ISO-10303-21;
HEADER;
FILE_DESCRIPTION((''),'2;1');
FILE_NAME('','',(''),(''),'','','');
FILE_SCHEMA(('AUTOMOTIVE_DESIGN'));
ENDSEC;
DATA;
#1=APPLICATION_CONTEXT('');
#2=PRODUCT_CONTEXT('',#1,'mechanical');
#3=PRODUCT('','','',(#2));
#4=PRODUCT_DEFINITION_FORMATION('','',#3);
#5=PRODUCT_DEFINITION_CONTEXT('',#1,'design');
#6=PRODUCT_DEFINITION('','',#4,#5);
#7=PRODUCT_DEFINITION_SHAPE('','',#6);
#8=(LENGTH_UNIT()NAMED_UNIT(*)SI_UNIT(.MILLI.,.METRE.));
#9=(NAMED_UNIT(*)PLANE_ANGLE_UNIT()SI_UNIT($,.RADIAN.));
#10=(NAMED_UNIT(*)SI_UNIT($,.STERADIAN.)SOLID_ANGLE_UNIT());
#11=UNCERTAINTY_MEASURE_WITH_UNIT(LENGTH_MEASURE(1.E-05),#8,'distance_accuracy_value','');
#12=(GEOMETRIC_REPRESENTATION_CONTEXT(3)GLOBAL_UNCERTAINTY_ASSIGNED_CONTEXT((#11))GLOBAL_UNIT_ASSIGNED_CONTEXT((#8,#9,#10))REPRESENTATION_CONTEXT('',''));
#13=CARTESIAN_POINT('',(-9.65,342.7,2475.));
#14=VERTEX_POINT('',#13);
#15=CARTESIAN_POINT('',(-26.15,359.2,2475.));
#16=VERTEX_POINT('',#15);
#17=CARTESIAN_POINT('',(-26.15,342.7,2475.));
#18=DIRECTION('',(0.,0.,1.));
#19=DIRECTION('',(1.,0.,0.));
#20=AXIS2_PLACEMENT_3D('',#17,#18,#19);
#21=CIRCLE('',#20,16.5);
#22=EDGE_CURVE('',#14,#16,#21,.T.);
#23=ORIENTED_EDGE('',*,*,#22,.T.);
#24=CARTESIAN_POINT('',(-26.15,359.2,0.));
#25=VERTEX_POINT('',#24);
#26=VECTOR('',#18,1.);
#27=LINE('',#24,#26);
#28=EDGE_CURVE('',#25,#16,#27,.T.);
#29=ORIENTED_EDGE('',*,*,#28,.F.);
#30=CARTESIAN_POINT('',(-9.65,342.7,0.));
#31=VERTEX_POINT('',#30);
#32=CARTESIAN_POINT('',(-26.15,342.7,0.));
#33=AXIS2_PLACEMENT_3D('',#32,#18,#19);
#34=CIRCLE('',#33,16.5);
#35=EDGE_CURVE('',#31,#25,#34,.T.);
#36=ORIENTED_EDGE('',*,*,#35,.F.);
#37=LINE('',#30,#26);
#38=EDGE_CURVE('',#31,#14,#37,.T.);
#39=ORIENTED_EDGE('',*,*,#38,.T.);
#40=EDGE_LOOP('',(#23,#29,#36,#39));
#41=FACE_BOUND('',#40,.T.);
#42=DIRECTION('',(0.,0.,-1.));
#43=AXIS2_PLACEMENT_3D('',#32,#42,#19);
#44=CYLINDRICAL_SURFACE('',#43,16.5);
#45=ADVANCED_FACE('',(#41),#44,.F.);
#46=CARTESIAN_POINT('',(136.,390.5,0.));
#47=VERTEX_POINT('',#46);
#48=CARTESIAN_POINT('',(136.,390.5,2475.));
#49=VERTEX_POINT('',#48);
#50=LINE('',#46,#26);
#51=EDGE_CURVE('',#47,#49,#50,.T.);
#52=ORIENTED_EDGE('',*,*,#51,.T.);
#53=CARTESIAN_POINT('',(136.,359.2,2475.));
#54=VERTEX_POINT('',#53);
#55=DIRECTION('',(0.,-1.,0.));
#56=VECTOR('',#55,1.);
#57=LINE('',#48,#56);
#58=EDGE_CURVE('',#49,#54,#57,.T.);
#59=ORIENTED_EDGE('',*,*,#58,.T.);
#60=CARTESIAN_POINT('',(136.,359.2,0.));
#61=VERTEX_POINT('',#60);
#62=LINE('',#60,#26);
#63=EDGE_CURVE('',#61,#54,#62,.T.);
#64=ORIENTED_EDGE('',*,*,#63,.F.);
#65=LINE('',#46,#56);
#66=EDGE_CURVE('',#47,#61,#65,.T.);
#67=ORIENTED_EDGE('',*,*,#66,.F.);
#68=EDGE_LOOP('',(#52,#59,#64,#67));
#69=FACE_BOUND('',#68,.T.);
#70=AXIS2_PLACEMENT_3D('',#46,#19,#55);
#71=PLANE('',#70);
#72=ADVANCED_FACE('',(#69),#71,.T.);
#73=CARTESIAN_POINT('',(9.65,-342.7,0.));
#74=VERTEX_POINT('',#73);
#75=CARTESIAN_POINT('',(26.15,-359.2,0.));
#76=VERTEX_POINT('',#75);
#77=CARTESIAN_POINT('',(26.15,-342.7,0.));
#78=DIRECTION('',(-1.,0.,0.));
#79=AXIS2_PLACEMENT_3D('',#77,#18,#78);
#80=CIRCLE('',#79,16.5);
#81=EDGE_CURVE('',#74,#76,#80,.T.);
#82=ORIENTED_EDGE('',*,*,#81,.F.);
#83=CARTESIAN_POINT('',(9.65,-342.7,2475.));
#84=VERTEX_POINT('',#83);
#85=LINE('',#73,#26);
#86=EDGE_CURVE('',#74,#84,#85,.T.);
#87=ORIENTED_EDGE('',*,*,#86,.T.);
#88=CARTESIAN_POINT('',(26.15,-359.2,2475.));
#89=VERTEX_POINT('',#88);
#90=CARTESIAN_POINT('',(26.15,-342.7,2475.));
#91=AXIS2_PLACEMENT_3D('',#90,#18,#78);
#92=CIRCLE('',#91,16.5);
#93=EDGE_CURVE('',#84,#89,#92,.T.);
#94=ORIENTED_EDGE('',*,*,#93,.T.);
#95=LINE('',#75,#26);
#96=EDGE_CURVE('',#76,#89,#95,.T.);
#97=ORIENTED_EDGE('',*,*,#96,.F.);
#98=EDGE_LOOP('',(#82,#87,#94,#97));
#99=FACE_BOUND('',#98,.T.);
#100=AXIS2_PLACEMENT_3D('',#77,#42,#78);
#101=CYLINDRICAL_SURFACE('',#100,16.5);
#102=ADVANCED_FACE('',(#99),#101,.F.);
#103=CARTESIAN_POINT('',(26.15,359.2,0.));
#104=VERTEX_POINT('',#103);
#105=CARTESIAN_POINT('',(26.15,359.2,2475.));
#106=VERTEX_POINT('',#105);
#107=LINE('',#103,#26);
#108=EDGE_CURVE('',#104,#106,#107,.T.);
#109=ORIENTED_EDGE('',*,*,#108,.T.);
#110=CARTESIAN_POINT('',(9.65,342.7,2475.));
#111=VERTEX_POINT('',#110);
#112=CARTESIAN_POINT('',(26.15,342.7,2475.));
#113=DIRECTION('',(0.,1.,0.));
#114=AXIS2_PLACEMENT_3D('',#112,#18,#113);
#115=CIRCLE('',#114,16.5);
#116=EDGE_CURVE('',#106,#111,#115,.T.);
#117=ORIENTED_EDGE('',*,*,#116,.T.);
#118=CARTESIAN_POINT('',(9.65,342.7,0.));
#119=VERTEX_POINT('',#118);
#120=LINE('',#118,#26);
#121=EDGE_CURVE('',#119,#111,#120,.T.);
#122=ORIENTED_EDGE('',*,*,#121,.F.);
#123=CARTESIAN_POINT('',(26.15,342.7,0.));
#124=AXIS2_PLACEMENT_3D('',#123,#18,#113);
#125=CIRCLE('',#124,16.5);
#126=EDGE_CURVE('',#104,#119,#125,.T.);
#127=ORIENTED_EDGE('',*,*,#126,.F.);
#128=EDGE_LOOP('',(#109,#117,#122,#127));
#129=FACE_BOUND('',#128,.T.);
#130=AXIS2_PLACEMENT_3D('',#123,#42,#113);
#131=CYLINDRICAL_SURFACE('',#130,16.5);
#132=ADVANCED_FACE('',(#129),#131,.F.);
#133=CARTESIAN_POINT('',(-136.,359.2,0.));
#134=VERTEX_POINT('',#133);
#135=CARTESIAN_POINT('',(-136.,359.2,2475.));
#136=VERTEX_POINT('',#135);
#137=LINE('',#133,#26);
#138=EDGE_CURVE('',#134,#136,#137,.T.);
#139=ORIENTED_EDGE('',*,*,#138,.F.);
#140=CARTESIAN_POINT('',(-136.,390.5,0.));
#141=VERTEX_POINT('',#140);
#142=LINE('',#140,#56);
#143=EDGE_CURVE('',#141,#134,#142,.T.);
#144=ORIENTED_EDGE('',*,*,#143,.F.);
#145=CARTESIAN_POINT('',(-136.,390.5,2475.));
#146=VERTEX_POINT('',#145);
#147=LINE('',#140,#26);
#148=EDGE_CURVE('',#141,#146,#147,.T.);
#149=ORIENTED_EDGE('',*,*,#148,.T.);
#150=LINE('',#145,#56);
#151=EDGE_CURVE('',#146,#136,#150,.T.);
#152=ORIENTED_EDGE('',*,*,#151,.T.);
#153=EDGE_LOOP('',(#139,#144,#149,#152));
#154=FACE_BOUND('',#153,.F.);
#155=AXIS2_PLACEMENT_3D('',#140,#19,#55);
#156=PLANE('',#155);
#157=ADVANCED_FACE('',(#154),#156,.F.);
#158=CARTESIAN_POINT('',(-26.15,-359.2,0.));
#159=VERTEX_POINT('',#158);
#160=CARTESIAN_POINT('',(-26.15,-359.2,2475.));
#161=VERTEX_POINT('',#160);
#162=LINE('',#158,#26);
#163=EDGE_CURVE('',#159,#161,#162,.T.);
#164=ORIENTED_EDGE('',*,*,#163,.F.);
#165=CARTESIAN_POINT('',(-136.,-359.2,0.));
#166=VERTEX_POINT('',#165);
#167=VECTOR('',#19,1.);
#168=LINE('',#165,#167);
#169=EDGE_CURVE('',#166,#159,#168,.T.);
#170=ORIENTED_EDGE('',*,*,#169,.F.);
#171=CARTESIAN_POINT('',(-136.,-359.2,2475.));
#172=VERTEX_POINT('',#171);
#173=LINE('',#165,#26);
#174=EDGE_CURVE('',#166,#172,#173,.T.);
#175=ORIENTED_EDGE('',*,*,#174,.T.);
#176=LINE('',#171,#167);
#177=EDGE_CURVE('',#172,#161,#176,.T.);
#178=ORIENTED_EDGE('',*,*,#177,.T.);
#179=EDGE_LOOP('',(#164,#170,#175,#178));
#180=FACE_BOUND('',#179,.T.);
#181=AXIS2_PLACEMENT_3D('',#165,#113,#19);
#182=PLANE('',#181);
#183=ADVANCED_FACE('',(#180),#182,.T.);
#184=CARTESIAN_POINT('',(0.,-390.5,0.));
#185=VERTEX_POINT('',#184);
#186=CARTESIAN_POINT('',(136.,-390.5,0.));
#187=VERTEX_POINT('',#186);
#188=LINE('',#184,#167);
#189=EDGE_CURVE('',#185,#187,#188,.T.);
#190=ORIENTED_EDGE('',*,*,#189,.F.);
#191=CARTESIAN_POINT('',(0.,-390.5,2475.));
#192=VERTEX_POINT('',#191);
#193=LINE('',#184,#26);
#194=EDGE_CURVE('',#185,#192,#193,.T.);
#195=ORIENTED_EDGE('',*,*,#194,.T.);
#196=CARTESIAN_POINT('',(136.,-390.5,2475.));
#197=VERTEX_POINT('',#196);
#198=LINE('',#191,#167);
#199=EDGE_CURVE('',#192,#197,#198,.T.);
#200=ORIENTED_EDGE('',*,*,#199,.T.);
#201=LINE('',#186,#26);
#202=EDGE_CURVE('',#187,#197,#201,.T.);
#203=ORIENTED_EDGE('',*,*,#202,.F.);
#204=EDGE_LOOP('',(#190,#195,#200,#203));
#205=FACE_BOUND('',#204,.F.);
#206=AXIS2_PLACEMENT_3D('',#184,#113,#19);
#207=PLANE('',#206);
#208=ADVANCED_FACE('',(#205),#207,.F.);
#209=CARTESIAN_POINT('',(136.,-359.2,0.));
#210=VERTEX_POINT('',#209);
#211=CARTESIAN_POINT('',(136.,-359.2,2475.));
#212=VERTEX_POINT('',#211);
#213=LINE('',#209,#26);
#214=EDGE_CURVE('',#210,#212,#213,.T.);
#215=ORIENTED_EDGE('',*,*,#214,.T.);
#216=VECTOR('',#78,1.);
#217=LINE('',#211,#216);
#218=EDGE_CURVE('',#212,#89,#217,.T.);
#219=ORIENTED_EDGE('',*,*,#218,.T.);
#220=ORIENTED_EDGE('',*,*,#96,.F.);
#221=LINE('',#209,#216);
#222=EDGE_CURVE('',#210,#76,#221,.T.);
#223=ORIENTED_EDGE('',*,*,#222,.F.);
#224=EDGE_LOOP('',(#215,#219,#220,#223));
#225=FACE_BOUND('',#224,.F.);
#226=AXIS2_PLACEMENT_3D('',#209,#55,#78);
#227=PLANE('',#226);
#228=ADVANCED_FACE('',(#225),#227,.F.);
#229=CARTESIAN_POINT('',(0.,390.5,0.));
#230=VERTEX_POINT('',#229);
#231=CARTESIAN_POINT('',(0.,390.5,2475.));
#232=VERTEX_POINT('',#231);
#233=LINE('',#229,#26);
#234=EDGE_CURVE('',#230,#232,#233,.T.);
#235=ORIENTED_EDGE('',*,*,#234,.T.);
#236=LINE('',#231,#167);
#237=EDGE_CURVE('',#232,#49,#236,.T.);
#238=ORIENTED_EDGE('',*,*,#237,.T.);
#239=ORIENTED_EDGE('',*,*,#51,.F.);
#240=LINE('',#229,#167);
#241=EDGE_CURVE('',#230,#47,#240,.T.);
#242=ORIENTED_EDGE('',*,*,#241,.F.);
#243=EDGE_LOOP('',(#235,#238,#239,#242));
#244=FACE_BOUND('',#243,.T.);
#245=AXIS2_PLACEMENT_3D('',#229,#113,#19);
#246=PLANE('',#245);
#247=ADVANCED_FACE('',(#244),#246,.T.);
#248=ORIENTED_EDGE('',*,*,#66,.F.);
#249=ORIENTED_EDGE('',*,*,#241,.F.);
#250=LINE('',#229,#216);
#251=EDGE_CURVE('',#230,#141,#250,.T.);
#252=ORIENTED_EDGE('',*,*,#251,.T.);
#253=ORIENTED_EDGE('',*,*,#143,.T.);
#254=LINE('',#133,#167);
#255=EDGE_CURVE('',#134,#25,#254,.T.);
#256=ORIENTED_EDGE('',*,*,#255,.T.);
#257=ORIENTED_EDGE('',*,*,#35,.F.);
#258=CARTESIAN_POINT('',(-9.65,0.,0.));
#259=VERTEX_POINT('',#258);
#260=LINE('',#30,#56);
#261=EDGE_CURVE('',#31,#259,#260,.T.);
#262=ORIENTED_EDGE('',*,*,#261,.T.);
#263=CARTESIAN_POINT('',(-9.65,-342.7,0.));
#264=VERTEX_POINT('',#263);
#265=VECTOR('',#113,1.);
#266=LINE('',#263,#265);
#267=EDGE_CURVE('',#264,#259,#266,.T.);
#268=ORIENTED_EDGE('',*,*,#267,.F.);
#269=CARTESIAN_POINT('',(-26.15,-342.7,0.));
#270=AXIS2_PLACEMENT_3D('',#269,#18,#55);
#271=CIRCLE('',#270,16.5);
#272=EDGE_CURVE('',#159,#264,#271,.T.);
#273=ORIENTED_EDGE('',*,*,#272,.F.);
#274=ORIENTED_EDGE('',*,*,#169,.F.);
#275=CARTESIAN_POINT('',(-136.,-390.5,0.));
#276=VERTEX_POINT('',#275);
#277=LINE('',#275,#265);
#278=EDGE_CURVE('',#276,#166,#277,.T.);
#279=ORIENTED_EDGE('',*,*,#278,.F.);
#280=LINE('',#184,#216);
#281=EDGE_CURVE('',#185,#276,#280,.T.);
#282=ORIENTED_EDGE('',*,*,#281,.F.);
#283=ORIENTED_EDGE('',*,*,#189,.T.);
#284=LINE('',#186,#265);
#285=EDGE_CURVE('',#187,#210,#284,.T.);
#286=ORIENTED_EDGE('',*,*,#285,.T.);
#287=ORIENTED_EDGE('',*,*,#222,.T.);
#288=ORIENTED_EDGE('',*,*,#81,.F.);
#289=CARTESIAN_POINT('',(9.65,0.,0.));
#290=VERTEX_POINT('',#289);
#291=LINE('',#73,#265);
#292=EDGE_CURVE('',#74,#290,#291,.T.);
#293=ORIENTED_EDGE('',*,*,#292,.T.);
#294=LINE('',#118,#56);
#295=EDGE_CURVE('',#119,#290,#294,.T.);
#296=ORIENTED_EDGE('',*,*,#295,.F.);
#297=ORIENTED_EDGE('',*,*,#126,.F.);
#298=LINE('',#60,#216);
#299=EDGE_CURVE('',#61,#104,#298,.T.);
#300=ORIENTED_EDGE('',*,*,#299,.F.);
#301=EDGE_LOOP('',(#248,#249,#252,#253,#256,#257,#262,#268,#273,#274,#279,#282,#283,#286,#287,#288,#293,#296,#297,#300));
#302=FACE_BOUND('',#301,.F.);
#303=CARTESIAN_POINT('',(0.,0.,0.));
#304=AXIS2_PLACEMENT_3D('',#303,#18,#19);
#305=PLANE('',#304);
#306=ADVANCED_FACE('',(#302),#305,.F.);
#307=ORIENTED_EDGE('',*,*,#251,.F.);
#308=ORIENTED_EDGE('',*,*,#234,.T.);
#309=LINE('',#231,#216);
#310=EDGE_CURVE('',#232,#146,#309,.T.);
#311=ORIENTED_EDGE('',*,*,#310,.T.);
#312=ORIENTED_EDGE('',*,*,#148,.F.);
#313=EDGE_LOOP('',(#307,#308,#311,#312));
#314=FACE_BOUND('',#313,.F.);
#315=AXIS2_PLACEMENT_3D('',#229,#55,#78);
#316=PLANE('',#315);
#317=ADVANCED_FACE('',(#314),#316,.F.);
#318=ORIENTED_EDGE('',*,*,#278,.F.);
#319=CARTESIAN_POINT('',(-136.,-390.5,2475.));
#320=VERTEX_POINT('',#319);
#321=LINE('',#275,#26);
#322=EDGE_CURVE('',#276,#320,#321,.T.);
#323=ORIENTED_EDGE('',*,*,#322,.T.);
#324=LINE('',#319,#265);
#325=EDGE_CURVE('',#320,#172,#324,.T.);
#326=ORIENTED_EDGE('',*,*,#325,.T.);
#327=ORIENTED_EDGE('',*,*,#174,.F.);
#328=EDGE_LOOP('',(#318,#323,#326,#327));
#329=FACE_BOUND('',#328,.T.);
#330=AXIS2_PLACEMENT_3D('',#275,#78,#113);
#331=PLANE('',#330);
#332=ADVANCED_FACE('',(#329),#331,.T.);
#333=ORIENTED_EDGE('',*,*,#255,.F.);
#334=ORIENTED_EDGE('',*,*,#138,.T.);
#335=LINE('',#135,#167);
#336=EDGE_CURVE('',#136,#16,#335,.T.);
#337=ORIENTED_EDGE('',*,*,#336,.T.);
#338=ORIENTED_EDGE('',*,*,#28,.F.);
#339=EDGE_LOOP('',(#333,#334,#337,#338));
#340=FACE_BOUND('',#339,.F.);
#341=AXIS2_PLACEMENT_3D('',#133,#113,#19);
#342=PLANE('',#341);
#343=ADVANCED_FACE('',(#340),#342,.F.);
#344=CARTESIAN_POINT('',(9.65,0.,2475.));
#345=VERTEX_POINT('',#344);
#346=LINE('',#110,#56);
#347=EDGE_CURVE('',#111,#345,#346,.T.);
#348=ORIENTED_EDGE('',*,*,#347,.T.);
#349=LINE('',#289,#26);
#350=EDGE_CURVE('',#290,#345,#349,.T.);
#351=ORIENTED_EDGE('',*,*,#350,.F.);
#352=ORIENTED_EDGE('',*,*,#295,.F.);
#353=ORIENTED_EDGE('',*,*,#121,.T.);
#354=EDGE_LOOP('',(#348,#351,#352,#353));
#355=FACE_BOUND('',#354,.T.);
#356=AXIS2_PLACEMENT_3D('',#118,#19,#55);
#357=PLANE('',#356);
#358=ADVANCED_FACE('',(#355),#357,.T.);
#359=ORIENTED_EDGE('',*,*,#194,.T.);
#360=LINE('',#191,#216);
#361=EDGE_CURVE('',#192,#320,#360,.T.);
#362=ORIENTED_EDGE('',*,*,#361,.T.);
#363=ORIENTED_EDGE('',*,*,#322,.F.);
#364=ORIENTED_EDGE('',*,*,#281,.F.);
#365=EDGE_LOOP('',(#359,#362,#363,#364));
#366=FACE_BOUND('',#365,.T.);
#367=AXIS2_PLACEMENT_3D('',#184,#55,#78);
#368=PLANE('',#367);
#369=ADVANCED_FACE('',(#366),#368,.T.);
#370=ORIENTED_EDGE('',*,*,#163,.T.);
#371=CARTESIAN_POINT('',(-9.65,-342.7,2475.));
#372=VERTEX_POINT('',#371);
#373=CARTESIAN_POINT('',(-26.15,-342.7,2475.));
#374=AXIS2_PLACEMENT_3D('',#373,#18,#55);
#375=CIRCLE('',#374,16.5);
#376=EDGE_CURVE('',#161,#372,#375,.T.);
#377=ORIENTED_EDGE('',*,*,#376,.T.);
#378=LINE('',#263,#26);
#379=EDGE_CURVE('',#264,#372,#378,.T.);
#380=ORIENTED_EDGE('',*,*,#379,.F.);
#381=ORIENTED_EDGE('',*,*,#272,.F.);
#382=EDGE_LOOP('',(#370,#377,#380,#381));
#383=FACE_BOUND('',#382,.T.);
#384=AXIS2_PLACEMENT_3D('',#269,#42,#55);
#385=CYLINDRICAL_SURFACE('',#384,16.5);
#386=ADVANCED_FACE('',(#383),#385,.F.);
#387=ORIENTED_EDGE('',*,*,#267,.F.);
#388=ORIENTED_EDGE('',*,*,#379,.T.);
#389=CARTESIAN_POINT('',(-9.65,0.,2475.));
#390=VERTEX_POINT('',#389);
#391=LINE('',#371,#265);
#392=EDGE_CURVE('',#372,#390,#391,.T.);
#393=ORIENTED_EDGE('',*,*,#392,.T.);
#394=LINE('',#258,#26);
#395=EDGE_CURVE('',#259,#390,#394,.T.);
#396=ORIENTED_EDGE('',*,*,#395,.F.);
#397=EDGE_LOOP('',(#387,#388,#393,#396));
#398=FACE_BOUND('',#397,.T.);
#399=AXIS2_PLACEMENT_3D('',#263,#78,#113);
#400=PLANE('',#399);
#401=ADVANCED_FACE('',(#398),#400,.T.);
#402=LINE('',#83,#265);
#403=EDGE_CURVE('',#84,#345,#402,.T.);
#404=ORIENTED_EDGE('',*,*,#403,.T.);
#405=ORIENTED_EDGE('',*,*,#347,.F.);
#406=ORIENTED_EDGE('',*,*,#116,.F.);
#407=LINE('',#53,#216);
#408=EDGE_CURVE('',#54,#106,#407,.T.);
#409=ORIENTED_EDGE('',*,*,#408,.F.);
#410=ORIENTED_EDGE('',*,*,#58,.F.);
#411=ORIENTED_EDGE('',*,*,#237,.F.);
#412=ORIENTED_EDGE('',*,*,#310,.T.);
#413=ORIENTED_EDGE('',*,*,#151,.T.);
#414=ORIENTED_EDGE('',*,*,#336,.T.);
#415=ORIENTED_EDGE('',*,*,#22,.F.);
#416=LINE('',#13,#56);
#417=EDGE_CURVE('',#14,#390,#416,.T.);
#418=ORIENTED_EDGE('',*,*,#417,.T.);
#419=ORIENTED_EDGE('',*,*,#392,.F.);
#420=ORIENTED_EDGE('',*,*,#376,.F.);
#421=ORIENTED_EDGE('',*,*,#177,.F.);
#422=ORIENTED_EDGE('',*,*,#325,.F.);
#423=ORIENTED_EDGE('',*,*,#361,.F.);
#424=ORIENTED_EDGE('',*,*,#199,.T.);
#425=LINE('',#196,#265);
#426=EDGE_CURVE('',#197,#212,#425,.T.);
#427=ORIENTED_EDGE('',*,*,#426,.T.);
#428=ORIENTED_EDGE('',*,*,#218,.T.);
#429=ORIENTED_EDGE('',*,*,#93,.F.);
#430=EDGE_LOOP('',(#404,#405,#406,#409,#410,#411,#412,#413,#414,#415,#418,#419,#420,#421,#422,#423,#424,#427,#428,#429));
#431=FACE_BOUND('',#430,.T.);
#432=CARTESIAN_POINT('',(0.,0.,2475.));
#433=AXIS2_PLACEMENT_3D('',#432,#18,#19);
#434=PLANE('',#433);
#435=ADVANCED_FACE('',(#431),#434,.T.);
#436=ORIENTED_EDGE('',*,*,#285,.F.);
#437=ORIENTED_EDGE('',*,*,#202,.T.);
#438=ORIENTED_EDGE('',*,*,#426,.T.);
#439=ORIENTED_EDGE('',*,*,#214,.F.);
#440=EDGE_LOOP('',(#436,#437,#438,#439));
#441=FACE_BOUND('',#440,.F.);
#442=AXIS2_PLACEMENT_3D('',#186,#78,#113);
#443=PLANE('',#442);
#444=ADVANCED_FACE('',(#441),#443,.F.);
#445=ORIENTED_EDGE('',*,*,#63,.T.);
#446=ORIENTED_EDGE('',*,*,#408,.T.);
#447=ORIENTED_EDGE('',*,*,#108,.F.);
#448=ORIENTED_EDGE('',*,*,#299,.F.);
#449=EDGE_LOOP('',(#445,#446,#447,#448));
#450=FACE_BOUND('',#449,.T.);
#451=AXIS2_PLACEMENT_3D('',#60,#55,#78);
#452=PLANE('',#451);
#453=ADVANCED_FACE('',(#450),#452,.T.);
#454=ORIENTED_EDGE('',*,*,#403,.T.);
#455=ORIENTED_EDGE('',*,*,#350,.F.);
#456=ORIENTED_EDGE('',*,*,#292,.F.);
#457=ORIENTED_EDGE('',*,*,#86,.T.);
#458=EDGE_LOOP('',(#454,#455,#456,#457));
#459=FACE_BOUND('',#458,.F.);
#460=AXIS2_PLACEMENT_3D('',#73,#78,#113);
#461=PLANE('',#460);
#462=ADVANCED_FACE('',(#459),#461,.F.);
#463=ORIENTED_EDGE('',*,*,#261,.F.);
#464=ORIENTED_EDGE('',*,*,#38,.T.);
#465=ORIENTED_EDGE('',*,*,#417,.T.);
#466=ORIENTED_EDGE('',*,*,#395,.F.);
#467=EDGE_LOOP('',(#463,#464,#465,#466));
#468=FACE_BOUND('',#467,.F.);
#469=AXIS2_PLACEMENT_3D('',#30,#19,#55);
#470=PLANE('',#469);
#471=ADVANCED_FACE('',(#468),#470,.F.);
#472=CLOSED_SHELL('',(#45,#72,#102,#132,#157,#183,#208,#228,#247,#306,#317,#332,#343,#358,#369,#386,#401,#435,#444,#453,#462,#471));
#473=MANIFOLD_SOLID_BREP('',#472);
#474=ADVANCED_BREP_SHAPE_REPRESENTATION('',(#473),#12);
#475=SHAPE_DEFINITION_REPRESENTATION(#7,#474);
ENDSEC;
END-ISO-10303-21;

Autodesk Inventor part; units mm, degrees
ref_plane "YZ Plane" through (0, 0, 0) normal (1, 0, 0) x (0, 1, 0)
ref_plane "Start plane" through (0, 0, 0) normal (0, 0, 1) x (1, 0, 0)
ref_plane "End plane" through (0, 0, 2475) normal (0, 0, 1) x (1, 0, 0)
sketch "Sketch" plane through (0, 0, 0) normal (0, 0, 1) x (1, 0, 0)
  line L0 (-136, -390.5) -> (-136, -359.2)
  line L1 (-136, -359.2) -> (-26.15, -359.2)
  line L2 (-9.65, -342.7) -> (-9.65, 0)
  line L3 (-9.65, 0) -> (0, 0) construction
  line L4 (0, 0) -> (0, -390.5) construction
  line L5 (0, -390.5) -> (-136, -390.5)
  line L6 (-60, 0) -> (80, 0) construction
  line L7 (0, -60) -> (0, 80) construction
  line L8 (136, -390.5) -> (136, -359.2)
  line L9 (136, -359.2) -> (26.15, -359.2)
  line L10 (9.65, -342.7) -> (9.65, 0)
  line L11 (9.65, 0) -> (0, 0) construction
  line L12 (0, -390.5) -> (136, -390.5)
  line L13 (-136, 390.5) -> (-136, 359.2)
  line L14 (-136, 359.2) -> (-26.15, 359.2)
  line L15 (-9.65, 342.7) -> (-9.65, 0)
  line L16 (0, 390.5) -> (-136, 390.5)
  line L17 (136, 390.5) -> (136, 359.2)
  line L18 (136, 359.2) -> (26.15, 359.2)
  line L19 (0, 390.5) -> (136, 390.5)
  line L20 (9.65, 342.7) -> (9.65, 0)
  arc A0 (-9.65, 342.7) -> (-26.15, 359.2) centre (-26.15, 342.7) ccw
  arc A1 (26.15, 359.2) -> (9.65, 342.7) centre (26.15, 342.7) ccw
  arc A2 (9.65, -342.7) -> (26.15, -359.2) centre (26.15, -342.7) ccw
  arc A3 (-26.15, -359.2) -> (-9.65, -342.7) centre (-26.15, -342.7) ccw
  line L21 (0, 108) -> (0, -88) construction
  line L22 (-88, 0) -> (108, 0) construction
  point P0 (-9.65, -359.2)
  point P1 (9.65, -359.2)
  point P2 (-9.65, 359.2)
  point P3 (9.65, 359.2)
  dimension "d1" = 390.5
  dimension "d2" = 31.3
  dimension "d3" = 136
  dimension "d4" = 9.65
  dimension "d10" = 16.5
extrude "Body" add sketch "Sketch" along normal up to surface (2475 mm away) from surface at 0
sketch "Sketch4" plane through (0, 0, 0) normal (0, 0, 1) x (1, 0, 0)
  line L0 (0, 0) -> (10, 0)
ref_plane "Work Plane3" through (0, 0, 0) normal (0, -1, 0) x (1, 0, 0)
sketch "Sketch5" plane through (0, 0, 0) normal (0, -1, 0) x (1, 0, 0)
  line L0 (-2, 0) -> (12, 0) projected
  line L1 (-2, 2475) -> (12, 2475) projected
  dimension "d14" = 2475
equation "\"d1\" = 0.5 * G_H"
equation "\"d2\" = G_T1"
equation "\"d3\" = 0.5 * G_W"
equation "\"d4\" = 0.5 * G_T"
equation "\"d10\" = G_IR"
equation "\"d5\" = G_L"
equation "\"G_W\" = 272"
equation "\"G_H\" = 781"
equation "\"G_T\" = 19.3"
equation "\"G_T1\" = 31.3"
equation "\"G_IR\" = 16.5"
equation "\"G_L\" = d14"
equation "\"G_OFFSET_START\" = 0"
equation "\"G_OFFSET_END\" = 0"
equation "\"d12\" = G_OFFSET_END + B_L"
equation "\"B_L\" = 2475"
properties part number "AS 3679-1990 - 760 UB - 244 - 2475" material "Steel, Mild"
